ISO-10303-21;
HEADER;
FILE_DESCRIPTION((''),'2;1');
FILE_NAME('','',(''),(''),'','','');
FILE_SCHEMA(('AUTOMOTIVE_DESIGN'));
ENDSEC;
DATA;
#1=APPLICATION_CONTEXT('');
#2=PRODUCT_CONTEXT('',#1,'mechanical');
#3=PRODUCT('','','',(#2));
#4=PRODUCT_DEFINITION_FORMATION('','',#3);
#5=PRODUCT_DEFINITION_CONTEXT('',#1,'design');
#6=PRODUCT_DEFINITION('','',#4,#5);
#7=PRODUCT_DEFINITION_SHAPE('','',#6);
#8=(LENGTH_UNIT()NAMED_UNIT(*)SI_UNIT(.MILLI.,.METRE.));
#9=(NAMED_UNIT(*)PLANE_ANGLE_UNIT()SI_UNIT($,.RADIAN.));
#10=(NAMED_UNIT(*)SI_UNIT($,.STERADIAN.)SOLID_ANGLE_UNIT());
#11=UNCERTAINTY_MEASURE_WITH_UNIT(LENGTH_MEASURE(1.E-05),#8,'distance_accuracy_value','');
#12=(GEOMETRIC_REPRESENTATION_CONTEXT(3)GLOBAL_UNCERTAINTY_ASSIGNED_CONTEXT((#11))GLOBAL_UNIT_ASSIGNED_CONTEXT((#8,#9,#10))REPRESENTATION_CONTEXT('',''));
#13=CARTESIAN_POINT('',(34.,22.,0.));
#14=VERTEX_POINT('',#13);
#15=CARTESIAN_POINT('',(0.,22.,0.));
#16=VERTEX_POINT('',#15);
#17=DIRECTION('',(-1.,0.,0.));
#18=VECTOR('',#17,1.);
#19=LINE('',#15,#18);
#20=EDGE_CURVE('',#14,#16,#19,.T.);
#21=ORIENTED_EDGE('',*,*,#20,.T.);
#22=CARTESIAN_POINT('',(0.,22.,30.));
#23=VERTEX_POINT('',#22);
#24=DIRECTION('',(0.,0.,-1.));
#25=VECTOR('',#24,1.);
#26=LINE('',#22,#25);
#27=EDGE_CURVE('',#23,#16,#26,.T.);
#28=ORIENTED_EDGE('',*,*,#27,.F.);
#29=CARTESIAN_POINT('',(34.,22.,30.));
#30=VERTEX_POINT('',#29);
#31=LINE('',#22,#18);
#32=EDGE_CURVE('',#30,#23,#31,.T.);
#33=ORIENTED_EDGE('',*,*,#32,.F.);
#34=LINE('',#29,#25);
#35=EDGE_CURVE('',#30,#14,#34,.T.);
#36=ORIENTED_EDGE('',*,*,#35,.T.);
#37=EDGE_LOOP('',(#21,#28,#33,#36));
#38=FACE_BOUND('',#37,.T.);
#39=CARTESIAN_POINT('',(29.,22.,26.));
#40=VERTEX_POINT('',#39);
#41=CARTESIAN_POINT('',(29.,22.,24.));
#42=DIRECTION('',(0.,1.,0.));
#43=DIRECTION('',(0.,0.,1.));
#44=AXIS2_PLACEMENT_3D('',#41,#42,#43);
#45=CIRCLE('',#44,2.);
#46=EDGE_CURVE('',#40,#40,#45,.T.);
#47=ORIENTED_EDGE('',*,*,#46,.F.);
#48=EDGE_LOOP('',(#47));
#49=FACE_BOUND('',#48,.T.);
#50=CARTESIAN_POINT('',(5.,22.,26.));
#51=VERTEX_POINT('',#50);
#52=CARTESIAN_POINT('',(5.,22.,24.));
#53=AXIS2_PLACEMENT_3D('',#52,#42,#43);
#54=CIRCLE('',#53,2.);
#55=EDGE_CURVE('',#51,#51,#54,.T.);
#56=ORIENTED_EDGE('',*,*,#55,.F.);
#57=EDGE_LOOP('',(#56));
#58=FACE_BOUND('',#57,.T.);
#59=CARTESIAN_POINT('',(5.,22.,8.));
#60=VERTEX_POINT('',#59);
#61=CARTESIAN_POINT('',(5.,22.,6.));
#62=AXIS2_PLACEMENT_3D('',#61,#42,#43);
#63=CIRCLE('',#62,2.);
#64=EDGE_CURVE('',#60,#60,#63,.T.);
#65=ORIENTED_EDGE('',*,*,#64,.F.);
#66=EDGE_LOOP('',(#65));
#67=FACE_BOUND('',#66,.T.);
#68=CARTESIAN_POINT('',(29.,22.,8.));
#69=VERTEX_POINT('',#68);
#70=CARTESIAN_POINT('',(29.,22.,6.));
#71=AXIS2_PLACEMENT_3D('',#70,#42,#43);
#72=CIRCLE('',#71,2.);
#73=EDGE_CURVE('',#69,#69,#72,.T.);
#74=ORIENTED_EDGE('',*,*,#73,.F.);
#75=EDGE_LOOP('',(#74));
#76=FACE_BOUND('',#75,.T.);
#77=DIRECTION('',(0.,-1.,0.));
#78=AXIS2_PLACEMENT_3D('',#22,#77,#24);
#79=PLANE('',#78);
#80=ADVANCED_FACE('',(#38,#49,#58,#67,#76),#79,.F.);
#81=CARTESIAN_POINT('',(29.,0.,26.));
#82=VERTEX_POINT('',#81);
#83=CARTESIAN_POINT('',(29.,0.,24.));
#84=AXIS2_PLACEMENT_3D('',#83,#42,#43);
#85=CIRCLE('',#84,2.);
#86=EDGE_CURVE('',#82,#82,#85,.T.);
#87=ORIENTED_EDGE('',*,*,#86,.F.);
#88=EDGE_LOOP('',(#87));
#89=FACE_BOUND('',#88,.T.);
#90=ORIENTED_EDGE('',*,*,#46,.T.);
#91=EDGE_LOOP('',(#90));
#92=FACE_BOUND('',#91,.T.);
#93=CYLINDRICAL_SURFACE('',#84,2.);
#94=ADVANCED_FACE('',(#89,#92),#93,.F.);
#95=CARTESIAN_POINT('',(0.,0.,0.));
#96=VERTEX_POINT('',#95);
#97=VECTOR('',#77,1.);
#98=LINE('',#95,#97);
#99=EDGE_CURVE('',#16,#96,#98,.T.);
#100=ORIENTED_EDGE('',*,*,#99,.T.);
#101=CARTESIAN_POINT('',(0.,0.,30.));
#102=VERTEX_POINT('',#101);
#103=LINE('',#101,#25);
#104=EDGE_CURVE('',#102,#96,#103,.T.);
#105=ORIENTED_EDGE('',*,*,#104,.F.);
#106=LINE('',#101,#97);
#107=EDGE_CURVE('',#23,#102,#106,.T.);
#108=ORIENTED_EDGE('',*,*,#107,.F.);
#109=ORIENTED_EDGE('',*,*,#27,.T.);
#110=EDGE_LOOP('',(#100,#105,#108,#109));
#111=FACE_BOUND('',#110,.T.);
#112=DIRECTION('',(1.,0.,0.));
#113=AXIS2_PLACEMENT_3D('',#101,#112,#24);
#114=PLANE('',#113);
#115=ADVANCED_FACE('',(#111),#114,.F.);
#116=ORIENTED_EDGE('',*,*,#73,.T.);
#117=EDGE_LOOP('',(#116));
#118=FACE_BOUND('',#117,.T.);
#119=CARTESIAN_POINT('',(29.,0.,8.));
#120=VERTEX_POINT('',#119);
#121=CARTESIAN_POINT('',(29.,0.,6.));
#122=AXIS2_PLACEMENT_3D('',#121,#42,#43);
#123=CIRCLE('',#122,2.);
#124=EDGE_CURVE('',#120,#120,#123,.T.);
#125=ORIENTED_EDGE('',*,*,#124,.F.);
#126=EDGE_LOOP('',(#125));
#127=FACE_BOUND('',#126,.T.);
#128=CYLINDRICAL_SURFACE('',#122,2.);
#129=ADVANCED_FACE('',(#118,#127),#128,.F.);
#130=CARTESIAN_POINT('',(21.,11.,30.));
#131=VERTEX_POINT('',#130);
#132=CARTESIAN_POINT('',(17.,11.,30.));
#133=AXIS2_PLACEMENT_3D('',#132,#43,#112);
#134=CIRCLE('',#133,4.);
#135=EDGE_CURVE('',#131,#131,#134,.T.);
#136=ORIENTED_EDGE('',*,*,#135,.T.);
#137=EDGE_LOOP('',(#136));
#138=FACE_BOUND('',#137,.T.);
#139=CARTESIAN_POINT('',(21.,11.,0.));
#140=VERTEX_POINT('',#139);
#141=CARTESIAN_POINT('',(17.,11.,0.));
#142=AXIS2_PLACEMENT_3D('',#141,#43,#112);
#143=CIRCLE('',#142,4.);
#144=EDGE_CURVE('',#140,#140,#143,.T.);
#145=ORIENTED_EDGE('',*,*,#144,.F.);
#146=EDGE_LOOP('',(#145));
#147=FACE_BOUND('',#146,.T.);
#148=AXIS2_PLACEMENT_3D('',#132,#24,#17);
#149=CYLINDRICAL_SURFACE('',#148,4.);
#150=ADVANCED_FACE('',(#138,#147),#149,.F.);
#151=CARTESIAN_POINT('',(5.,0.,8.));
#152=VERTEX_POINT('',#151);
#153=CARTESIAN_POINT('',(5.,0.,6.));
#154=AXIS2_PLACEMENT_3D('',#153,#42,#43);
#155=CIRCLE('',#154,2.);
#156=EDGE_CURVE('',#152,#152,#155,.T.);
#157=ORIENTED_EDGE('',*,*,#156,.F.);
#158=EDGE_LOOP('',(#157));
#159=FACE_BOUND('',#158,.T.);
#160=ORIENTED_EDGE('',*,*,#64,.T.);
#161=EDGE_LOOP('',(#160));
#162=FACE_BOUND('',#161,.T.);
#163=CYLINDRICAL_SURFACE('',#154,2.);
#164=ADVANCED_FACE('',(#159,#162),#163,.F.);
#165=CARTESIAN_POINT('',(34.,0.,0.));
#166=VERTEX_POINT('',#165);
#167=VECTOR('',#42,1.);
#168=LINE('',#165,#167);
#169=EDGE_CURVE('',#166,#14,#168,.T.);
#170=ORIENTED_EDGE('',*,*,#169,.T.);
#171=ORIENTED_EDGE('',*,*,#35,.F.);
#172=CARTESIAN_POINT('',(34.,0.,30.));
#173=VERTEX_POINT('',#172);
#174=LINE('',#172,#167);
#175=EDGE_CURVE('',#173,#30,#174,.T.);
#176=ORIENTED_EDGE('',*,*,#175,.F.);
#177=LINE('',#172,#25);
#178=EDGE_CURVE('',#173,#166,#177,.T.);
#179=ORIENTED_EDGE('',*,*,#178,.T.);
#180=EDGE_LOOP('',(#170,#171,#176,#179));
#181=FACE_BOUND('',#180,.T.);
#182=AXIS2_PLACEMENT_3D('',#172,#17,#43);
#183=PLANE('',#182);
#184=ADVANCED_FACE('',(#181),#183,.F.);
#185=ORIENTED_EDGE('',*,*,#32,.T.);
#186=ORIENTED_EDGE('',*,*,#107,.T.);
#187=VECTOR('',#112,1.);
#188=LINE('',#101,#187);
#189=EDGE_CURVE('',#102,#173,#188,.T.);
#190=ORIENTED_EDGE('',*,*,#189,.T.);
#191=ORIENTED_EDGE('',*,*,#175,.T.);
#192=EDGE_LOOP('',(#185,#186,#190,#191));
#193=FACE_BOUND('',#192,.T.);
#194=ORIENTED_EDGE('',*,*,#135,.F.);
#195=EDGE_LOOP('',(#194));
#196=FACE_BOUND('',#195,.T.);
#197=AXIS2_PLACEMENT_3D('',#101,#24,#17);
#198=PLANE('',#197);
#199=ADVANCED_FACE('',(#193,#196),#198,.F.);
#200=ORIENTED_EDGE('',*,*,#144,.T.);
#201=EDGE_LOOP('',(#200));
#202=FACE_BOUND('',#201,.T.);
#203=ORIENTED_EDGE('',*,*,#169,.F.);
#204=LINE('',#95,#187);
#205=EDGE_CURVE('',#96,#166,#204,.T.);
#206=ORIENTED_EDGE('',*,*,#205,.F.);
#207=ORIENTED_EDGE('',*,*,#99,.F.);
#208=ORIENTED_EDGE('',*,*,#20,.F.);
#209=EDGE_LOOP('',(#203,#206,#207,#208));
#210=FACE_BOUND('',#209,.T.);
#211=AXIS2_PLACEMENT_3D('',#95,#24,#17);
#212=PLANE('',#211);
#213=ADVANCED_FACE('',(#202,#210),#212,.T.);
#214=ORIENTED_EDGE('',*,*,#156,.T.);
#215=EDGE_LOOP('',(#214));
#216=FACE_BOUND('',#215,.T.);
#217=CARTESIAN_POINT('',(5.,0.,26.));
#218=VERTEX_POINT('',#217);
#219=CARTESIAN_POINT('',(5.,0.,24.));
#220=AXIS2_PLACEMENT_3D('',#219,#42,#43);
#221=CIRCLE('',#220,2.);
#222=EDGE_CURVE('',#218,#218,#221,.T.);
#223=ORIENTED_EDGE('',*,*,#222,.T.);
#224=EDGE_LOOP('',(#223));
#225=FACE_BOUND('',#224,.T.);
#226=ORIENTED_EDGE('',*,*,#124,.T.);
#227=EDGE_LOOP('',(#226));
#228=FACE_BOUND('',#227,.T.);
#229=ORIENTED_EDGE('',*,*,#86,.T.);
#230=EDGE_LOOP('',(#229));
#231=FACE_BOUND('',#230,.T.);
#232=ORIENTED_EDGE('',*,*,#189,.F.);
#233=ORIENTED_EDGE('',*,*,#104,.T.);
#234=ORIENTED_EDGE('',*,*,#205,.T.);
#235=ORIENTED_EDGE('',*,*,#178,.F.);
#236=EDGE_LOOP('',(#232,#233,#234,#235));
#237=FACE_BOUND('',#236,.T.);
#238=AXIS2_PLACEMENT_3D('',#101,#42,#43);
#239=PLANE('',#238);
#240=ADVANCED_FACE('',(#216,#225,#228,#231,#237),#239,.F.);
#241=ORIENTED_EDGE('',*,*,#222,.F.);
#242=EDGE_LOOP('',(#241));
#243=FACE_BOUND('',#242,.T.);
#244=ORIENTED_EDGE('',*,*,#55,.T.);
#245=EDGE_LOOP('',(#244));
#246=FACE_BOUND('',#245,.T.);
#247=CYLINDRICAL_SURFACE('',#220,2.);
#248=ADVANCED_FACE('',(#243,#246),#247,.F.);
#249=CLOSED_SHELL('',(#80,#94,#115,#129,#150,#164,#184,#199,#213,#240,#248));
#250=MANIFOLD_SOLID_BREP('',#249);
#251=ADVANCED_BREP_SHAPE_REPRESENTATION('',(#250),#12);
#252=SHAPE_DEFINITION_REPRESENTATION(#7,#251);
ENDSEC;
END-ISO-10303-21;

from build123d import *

# Parameters (mm, degrees)
SKETCH1_W           = 34
SKETCH1_H           = 22
SKETCH1_R           = 4
BOSS_EXTRUDE1_DEPTH = 30
SKETCH2_R           = 2
CUT_EXTRUDE1_DEPTH  = 23


with BuildPart() as part:
    # Sketch1 → Boss-Extrude1 (new body)
    with BuildSketch(Plane.XY):
        with Locations((17, 11)):
            Rectangle(SKETCH1_W, SKETCH1_H)
        with Locations((17, 11)):
            Circle(SKETCH1_R, mode=Mode.SUBTRACT)
    extrude(amount=BOSS_EXTRUDE1_DEPTH)

    # Sketch2 → Cut-Extrude1 (cut, through all)
    with BuildSketch(Plane(origin=(0, 22, 0), x_dir=(1, 0, 0), z_dir=(0, 1, 0))):
        with Locations((5, -24)):
            Circle(SKETCH2_R)
        with Locations((5, -6)):
            Circle(SKETCH2_R)
        with Locations((29, -6)):
            Circle(SKETCH2_R)
        with Locations((29, -24)):
            Circle(SKETCH2_R)
    extrude(amount=-CUT_EXTRUDE1_DEPTH, mode=Mode.SUBTRACT)


solid = part.part
